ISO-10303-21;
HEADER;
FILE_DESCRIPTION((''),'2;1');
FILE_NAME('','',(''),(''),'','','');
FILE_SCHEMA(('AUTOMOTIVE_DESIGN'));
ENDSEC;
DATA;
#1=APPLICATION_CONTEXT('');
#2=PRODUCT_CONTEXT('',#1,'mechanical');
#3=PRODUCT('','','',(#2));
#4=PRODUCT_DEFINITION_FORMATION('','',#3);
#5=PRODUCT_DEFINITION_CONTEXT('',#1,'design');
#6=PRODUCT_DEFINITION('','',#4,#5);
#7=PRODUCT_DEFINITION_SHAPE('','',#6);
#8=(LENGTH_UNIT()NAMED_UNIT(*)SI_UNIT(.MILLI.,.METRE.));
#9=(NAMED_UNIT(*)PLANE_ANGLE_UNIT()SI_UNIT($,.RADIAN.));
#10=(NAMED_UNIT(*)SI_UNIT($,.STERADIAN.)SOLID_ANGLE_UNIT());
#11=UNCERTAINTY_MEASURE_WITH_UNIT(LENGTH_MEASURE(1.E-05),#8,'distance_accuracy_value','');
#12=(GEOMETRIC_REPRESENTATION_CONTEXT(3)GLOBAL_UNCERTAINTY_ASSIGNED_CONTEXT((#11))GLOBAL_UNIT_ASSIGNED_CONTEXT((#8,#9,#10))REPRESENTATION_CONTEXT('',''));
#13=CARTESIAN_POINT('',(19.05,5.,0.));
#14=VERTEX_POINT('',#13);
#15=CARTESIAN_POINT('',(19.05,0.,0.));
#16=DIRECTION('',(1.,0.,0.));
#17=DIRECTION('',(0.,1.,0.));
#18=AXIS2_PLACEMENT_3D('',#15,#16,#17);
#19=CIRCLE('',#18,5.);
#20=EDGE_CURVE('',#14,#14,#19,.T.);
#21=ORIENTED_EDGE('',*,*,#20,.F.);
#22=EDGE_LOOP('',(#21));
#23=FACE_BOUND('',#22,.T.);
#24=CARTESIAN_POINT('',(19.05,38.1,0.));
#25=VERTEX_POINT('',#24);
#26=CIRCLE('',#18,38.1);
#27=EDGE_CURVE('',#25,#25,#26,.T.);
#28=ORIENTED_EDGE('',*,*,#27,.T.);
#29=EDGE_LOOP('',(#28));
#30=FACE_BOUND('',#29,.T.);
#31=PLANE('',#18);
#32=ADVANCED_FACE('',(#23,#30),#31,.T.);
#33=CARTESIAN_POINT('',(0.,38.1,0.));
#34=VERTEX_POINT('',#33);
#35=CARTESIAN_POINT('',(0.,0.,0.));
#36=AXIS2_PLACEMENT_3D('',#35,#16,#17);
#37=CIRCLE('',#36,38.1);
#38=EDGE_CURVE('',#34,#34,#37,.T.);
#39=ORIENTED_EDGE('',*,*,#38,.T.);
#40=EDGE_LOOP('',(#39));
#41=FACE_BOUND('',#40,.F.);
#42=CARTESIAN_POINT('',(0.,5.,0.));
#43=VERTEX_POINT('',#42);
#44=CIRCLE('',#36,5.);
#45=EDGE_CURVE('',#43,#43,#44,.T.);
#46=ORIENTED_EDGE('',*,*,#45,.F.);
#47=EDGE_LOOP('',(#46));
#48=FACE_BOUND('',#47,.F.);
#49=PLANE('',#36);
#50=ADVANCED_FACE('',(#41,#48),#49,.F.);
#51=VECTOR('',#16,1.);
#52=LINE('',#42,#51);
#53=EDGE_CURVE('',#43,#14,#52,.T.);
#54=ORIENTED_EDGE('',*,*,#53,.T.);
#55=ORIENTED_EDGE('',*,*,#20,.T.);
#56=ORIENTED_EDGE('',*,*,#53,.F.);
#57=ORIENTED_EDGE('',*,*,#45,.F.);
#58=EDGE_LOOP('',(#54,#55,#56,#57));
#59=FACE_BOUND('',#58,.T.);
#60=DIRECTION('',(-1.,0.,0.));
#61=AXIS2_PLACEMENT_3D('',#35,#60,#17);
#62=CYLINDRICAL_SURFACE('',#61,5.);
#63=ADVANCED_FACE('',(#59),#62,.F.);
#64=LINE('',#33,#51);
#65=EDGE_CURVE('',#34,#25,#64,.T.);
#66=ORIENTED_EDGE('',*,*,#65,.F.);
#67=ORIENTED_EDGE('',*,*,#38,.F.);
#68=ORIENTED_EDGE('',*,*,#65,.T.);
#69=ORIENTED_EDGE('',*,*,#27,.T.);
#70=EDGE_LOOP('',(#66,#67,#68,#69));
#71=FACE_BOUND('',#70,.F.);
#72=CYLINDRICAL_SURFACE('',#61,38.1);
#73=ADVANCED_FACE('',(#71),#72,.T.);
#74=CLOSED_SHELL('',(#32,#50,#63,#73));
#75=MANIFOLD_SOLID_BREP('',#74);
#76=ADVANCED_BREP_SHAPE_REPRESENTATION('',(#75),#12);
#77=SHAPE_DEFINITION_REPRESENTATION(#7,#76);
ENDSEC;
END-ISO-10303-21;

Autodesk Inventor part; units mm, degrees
ref_plane "YZ Plane" through (0, 0, 0) normal (1, 0, 0) x (0, 1, 0)
ref_plane "XZ Plane" through (0, 0, 0) normal (0, 1, 0) x (-1, 0, 0)
ref_plane "XY Plane" through (0, 0, 0) normal (0, 0, 1) x (1, 0, 0)
sketch "Sketch1" plane through (0, 0, 0) normal (1, 0, 0) x (0, 1, 0)
  circle A0 centre (0, 0) radius 5
  circle A1 centre (0, 0) radius 38.1
  dimension "d0" = 10
  dimension "d1" = 76.2
extrude "Extrusion1" add sketch "Sketch1" along normal blind 19.05
properties part number "Wheel - Foam" material "Rubber"
